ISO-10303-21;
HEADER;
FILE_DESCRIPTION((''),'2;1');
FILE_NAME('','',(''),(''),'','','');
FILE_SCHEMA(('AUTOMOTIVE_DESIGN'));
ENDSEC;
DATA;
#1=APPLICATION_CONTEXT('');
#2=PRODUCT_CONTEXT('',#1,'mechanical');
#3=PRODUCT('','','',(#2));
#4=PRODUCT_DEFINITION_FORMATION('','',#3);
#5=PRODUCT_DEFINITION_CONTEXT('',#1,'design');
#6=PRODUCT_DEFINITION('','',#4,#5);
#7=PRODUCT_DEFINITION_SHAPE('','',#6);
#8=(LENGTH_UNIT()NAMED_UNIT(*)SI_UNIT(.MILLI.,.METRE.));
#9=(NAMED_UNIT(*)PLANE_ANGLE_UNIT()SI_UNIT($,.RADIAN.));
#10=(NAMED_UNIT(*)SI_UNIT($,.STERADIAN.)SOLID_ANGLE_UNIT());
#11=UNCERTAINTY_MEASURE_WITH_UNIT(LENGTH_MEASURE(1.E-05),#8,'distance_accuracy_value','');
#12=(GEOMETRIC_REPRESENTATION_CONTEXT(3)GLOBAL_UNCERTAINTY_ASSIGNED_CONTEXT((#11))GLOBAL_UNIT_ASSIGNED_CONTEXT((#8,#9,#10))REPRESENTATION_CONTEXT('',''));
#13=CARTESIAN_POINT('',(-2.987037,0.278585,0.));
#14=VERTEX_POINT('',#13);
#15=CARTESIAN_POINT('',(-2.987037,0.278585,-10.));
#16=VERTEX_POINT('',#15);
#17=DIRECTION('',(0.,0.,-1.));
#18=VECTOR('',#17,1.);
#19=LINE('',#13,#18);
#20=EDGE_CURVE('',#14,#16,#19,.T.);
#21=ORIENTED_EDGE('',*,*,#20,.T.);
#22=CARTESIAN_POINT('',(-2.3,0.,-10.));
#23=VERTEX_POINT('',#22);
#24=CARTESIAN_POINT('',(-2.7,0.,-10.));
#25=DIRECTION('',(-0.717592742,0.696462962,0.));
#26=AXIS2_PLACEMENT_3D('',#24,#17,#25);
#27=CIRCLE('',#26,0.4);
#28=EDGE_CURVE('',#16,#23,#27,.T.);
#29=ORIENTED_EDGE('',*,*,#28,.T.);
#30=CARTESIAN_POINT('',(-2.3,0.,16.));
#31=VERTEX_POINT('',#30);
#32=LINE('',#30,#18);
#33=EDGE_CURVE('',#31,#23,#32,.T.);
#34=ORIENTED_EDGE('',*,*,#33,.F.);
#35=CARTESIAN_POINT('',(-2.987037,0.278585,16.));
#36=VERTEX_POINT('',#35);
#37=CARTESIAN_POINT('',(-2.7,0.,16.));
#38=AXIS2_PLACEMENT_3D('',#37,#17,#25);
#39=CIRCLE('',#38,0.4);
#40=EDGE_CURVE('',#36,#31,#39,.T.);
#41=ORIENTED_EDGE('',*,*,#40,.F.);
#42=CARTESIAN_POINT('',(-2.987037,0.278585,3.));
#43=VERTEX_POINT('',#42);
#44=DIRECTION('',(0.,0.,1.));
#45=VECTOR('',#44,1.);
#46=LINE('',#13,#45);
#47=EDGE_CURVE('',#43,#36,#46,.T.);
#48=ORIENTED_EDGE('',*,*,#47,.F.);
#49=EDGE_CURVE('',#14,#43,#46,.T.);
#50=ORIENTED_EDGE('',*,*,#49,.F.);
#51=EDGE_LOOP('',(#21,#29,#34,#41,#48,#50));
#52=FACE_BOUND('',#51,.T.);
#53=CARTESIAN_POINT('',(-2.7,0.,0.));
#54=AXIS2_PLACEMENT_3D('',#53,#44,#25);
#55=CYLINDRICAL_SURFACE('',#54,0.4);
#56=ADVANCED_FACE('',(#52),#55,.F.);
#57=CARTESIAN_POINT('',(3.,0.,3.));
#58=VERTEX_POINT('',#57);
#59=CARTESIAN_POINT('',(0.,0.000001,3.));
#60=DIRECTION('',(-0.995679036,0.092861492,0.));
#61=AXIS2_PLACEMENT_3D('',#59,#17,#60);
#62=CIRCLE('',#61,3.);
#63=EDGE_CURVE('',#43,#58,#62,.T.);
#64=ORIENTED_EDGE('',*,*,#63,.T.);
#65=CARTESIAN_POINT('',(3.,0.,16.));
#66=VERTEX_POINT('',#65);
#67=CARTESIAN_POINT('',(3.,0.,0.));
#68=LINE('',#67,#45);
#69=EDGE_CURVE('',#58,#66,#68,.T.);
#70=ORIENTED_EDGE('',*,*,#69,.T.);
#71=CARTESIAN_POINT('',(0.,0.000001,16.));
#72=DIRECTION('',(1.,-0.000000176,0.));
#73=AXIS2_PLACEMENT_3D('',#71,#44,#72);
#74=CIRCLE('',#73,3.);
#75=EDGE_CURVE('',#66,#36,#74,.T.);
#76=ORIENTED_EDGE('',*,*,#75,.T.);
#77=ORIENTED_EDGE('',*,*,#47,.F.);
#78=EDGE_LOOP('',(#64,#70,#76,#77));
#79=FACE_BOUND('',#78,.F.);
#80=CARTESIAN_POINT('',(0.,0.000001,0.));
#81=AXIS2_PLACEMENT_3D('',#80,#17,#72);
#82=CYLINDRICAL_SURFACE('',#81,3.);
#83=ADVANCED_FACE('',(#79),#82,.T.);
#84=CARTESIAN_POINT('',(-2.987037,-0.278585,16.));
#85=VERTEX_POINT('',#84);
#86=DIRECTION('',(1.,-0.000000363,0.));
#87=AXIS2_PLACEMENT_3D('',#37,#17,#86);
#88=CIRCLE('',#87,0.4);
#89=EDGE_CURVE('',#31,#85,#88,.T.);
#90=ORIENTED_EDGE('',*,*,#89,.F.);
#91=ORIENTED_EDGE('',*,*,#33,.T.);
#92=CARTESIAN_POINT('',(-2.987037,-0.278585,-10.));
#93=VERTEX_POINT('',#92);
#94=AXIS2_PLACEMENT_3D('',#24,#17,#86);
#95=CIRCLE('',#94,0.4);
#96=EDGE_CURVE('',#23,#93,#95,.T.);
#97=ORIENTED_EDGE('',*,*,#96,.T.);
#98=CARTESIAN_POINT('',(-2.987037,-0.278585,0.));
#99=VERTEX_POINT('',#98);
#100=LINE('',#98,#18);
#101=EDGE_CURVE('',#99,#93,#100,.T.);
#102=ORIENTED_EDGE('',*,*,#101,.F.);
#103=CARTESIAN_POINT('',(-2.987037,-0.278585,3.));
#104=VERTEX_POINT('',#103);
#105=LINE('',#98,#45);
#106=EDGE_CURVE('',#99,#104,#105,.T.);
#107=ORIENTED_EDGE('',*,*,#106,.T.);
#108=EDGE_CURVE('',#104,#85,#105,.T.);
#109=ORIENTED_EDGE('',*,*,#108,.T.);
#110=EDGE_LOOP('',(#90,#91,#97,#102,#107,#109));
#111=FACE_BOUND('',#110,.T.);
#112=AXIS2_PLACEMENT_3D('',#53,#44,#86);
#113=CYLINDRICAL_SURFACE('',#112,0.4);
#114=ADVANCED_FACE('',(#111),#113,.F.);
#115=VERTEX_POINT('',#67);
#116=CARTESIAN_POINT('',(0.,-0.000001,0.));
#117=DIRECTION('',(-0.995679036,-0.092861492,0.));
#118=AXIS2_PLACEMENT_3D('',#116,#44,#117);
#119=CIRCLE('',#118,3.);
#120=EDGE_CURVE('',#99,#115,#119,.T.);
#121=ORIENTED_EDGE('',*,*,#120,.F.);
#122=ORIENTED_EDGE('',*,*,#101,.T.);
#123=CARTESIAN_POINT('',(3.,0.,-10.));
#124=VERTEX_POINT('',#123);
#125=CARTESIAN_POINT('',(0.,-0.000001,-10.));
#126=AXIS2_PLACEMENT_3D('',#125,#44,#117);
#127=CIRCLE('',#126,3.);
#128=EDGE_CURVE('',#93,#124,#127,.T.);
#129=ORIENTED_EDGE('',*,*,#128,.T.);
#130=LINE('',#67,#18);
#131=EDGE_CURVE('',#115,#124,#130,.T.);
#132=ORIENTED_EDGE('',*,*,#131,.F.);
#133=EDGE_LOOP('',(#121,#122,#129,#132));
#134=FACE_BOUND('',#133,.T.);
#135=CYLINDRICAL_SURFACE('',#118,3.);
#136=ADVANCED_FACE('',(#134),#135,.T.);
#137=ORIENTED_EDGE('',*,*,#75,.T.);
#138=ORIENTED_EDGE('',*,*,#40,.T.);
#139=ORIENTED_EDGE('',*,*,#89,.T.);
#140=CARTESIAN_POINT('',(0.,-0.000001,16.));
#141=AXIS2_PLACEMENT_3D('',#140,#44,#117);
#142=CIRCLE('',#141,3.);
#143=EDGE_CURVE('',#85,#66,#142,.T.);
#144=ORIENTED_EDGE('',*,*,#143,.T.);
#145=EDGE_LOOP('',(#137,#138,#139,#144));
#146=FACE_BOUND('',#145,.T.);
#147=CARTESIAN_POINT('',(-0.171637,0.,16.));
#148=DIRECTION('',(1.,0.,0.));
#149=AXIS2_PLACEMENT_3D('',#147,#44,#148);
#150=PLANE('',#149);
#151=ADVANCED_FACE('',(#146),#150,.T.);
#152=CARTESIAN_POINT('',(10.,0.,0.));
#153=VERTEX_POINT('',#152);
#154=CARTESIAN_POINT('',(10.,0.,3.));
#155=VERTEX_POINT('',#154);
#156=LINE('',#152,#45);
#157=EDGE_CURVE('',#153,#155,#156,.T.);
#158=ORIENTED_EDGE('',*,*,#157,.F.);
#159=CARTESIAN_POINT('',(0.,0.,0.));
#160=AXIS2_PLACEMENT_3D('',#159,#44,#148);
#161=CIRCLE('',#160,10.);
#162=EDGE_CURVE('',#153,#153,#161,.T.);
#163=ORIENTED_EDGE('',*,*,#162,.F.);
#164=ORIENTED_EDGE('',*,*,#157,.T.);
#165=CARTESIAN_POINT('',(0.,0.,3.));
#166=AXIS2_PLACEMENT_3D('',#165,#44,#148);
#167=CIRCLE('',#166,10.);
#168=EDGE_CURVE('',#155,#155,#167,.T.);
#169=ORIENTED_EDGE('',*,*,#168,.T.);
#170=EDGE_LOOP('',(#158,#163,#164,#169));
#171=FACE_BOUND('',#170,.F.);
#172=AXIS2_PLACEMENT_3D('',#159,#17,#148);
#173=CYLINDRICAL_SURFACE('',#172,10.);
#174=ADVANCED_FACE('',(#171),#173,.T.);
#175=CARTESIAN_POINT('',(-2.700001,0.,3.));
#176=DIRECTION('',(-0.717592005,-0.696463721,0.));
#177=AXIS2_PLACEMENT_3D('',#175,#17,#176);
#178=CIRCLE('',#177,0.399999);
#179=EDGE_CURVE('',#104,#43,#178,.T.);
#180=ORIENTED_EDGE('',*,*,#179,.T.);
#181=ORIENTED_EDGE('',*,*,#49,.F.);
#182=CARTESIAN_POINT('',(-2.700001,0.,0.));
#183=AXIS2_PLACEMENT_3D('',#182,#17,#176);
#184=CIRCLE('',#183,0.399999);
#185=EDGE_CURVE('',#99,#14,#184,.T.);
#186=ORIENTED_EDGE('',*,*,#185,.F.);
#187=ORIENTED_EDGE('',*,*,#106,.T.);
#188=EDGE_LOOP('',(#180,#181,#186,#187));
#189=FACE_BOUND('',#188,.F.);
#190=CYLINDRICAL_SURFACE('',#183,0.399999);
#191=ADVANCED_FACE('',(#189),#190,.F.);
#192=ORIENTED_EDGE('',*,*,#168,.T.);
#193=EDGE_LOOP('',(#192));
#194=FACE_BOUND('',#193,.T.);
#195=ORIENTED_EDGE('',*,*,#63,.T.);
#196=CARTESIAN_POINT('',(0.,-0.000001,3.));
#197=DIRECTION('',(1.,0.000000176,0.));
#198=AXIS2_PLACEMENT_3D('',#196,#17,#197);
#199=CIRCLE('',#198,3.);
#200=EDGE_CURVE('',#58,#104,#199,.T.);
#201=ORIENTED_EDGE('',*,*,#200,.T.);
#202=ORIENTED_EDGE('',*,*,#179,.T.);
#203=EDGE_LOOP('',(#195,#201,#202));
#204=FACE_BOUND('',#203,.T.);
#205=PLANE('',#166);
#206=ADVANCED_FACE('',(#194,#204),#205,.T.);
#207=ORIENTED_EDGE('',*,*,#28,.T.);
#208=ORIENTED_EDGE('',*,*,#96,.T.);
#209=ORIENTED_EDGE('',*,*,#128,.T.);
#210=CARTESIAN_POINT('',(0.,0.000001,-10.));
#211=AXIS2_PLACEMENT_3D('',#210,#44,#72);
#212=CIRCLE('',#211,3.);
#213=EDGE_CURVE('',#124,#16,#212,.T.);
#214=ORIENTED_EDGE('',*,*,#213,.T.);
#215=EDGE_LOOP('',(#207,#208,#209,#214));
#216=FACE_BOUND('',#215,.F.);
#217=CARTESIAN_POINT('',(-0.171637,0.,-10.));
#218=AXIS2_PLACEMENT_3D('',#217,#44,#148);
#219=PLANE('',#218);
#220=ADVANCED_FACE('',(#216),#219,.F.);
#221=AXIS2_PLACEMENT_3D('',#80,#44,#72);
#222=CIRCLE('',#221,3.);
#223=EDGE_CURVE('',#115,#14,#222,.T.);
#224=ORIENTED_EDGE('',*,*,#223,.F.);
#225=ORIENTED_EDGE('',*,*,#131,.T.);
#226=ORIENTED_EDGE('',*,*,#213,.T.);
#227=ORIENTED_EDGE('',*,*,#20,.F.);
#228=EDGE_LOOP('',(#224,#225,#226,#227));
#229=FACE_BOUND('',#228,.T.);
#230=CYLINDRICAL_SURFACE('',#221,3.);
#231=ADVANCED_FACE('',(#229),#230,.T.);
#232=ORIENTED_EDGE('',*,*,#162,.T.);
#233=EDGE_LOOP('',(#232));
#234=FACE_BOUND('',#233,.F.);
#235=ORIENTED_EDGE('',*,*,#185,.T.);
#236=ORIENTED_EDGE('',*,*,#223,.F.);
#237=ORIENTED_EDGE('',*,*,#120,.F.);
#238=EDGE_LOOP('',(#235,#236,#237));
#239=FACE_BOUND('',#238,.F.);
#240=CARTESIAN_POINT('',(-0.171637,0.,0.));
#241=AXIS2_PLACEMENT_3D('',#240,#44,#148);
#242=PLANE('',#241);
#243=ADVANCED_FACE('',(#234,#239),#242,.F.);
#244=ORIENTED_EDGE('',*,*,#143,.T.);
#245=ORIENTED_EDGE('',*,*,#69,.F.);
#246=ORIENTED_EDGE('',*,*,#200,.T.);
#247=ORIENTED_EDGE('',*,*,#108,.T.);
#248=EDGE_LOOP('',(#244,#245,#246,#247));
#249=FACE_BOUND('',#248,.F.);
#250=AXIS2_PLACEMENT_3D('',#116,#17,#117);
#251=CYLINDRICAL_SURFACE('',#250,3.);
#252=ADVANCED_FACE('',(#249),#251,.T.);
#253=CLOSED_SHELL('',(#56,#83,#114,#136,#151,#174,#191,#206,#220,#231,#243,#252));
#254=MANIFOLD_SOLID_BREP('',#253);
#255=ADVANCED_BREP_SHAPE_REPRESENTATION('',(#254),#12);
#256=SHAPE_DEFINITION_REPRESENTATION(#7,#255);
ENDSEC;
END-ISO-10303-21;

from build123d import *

# Parameters (mm, degrees)
F0_R     = 10
F1_DEPTH = 3
F0_R_2   = 1.65
F2_DEPTH = 16
F3_DEPTH = 10


with BuildPart() as f1:
    # F0 (on Top) → F1 (new body)
    with BuildSketch(Plane.XY):
        Circle(F0_R)
        with BuildLine():
            ThreePointArc((-2.987037, 0.278585), (0.139443, 2.996758), (3, 0))
            ThreePointArc((3, 0), (0.139443, -2.996758), (-2.987037, -0.278585))
            ThreePointArc((-2.987037, -0.278585), (-3.1, 0), (-2.987037, 0.278585))
        make_face(mode=Mode.SUBTRACT)
    extrude(amount=F1_DEPTH)

    # F0 (on Top) → F2 (join)
    with BuildSketch(Plane.XY):
        with BuildLine():
            ThreePointArc((-2.987037, -0.278585), (0.139443, -2.996758), (3, 0))
            ThreePointArc((3, 0), (0.139443, 2.996758), (-2.987037, 0.278585))
            ThreePointArc((-2.987037, 0.278585), (-2.549692, 0.370685), (-2.3, 0))
            ThreePointArc((-2.3, 0), (-2.549692, -0.370685), (-2.987037, -0.278585))
        make_face()
        Circle(F0_R_2, mode=Mode.SUBTRACT)
        Circle(F0_R_2)
    extrude(amount=F2_DEPTH)

    # F0 (on Top) → F3 (join)
    with BuildSketch(Plane.XY):
        with BuildLine():
            ThreePointArc((-2.987037, -0.278585), (0.139443, -2.996758), (3, 0))
            ThreePointArc((3, 0), (0.139443, 2.996758), (-2.987037, 0.278585))
            ThreePointArc((-2.987037, 0.278585), (-2.549692, 0.370685), (-2.3, 0))
            ThreePointArc((-2.3, 0), (-2.549692, -0.370685), (-2.987037, -0.278585))
        make_face()
        Circle(F0_R_2, mode=Mode.SUBTRACT)
        Circle(F0_R_2)
    extrude(amount=-F3_DEPTH)


solid = f1.part
